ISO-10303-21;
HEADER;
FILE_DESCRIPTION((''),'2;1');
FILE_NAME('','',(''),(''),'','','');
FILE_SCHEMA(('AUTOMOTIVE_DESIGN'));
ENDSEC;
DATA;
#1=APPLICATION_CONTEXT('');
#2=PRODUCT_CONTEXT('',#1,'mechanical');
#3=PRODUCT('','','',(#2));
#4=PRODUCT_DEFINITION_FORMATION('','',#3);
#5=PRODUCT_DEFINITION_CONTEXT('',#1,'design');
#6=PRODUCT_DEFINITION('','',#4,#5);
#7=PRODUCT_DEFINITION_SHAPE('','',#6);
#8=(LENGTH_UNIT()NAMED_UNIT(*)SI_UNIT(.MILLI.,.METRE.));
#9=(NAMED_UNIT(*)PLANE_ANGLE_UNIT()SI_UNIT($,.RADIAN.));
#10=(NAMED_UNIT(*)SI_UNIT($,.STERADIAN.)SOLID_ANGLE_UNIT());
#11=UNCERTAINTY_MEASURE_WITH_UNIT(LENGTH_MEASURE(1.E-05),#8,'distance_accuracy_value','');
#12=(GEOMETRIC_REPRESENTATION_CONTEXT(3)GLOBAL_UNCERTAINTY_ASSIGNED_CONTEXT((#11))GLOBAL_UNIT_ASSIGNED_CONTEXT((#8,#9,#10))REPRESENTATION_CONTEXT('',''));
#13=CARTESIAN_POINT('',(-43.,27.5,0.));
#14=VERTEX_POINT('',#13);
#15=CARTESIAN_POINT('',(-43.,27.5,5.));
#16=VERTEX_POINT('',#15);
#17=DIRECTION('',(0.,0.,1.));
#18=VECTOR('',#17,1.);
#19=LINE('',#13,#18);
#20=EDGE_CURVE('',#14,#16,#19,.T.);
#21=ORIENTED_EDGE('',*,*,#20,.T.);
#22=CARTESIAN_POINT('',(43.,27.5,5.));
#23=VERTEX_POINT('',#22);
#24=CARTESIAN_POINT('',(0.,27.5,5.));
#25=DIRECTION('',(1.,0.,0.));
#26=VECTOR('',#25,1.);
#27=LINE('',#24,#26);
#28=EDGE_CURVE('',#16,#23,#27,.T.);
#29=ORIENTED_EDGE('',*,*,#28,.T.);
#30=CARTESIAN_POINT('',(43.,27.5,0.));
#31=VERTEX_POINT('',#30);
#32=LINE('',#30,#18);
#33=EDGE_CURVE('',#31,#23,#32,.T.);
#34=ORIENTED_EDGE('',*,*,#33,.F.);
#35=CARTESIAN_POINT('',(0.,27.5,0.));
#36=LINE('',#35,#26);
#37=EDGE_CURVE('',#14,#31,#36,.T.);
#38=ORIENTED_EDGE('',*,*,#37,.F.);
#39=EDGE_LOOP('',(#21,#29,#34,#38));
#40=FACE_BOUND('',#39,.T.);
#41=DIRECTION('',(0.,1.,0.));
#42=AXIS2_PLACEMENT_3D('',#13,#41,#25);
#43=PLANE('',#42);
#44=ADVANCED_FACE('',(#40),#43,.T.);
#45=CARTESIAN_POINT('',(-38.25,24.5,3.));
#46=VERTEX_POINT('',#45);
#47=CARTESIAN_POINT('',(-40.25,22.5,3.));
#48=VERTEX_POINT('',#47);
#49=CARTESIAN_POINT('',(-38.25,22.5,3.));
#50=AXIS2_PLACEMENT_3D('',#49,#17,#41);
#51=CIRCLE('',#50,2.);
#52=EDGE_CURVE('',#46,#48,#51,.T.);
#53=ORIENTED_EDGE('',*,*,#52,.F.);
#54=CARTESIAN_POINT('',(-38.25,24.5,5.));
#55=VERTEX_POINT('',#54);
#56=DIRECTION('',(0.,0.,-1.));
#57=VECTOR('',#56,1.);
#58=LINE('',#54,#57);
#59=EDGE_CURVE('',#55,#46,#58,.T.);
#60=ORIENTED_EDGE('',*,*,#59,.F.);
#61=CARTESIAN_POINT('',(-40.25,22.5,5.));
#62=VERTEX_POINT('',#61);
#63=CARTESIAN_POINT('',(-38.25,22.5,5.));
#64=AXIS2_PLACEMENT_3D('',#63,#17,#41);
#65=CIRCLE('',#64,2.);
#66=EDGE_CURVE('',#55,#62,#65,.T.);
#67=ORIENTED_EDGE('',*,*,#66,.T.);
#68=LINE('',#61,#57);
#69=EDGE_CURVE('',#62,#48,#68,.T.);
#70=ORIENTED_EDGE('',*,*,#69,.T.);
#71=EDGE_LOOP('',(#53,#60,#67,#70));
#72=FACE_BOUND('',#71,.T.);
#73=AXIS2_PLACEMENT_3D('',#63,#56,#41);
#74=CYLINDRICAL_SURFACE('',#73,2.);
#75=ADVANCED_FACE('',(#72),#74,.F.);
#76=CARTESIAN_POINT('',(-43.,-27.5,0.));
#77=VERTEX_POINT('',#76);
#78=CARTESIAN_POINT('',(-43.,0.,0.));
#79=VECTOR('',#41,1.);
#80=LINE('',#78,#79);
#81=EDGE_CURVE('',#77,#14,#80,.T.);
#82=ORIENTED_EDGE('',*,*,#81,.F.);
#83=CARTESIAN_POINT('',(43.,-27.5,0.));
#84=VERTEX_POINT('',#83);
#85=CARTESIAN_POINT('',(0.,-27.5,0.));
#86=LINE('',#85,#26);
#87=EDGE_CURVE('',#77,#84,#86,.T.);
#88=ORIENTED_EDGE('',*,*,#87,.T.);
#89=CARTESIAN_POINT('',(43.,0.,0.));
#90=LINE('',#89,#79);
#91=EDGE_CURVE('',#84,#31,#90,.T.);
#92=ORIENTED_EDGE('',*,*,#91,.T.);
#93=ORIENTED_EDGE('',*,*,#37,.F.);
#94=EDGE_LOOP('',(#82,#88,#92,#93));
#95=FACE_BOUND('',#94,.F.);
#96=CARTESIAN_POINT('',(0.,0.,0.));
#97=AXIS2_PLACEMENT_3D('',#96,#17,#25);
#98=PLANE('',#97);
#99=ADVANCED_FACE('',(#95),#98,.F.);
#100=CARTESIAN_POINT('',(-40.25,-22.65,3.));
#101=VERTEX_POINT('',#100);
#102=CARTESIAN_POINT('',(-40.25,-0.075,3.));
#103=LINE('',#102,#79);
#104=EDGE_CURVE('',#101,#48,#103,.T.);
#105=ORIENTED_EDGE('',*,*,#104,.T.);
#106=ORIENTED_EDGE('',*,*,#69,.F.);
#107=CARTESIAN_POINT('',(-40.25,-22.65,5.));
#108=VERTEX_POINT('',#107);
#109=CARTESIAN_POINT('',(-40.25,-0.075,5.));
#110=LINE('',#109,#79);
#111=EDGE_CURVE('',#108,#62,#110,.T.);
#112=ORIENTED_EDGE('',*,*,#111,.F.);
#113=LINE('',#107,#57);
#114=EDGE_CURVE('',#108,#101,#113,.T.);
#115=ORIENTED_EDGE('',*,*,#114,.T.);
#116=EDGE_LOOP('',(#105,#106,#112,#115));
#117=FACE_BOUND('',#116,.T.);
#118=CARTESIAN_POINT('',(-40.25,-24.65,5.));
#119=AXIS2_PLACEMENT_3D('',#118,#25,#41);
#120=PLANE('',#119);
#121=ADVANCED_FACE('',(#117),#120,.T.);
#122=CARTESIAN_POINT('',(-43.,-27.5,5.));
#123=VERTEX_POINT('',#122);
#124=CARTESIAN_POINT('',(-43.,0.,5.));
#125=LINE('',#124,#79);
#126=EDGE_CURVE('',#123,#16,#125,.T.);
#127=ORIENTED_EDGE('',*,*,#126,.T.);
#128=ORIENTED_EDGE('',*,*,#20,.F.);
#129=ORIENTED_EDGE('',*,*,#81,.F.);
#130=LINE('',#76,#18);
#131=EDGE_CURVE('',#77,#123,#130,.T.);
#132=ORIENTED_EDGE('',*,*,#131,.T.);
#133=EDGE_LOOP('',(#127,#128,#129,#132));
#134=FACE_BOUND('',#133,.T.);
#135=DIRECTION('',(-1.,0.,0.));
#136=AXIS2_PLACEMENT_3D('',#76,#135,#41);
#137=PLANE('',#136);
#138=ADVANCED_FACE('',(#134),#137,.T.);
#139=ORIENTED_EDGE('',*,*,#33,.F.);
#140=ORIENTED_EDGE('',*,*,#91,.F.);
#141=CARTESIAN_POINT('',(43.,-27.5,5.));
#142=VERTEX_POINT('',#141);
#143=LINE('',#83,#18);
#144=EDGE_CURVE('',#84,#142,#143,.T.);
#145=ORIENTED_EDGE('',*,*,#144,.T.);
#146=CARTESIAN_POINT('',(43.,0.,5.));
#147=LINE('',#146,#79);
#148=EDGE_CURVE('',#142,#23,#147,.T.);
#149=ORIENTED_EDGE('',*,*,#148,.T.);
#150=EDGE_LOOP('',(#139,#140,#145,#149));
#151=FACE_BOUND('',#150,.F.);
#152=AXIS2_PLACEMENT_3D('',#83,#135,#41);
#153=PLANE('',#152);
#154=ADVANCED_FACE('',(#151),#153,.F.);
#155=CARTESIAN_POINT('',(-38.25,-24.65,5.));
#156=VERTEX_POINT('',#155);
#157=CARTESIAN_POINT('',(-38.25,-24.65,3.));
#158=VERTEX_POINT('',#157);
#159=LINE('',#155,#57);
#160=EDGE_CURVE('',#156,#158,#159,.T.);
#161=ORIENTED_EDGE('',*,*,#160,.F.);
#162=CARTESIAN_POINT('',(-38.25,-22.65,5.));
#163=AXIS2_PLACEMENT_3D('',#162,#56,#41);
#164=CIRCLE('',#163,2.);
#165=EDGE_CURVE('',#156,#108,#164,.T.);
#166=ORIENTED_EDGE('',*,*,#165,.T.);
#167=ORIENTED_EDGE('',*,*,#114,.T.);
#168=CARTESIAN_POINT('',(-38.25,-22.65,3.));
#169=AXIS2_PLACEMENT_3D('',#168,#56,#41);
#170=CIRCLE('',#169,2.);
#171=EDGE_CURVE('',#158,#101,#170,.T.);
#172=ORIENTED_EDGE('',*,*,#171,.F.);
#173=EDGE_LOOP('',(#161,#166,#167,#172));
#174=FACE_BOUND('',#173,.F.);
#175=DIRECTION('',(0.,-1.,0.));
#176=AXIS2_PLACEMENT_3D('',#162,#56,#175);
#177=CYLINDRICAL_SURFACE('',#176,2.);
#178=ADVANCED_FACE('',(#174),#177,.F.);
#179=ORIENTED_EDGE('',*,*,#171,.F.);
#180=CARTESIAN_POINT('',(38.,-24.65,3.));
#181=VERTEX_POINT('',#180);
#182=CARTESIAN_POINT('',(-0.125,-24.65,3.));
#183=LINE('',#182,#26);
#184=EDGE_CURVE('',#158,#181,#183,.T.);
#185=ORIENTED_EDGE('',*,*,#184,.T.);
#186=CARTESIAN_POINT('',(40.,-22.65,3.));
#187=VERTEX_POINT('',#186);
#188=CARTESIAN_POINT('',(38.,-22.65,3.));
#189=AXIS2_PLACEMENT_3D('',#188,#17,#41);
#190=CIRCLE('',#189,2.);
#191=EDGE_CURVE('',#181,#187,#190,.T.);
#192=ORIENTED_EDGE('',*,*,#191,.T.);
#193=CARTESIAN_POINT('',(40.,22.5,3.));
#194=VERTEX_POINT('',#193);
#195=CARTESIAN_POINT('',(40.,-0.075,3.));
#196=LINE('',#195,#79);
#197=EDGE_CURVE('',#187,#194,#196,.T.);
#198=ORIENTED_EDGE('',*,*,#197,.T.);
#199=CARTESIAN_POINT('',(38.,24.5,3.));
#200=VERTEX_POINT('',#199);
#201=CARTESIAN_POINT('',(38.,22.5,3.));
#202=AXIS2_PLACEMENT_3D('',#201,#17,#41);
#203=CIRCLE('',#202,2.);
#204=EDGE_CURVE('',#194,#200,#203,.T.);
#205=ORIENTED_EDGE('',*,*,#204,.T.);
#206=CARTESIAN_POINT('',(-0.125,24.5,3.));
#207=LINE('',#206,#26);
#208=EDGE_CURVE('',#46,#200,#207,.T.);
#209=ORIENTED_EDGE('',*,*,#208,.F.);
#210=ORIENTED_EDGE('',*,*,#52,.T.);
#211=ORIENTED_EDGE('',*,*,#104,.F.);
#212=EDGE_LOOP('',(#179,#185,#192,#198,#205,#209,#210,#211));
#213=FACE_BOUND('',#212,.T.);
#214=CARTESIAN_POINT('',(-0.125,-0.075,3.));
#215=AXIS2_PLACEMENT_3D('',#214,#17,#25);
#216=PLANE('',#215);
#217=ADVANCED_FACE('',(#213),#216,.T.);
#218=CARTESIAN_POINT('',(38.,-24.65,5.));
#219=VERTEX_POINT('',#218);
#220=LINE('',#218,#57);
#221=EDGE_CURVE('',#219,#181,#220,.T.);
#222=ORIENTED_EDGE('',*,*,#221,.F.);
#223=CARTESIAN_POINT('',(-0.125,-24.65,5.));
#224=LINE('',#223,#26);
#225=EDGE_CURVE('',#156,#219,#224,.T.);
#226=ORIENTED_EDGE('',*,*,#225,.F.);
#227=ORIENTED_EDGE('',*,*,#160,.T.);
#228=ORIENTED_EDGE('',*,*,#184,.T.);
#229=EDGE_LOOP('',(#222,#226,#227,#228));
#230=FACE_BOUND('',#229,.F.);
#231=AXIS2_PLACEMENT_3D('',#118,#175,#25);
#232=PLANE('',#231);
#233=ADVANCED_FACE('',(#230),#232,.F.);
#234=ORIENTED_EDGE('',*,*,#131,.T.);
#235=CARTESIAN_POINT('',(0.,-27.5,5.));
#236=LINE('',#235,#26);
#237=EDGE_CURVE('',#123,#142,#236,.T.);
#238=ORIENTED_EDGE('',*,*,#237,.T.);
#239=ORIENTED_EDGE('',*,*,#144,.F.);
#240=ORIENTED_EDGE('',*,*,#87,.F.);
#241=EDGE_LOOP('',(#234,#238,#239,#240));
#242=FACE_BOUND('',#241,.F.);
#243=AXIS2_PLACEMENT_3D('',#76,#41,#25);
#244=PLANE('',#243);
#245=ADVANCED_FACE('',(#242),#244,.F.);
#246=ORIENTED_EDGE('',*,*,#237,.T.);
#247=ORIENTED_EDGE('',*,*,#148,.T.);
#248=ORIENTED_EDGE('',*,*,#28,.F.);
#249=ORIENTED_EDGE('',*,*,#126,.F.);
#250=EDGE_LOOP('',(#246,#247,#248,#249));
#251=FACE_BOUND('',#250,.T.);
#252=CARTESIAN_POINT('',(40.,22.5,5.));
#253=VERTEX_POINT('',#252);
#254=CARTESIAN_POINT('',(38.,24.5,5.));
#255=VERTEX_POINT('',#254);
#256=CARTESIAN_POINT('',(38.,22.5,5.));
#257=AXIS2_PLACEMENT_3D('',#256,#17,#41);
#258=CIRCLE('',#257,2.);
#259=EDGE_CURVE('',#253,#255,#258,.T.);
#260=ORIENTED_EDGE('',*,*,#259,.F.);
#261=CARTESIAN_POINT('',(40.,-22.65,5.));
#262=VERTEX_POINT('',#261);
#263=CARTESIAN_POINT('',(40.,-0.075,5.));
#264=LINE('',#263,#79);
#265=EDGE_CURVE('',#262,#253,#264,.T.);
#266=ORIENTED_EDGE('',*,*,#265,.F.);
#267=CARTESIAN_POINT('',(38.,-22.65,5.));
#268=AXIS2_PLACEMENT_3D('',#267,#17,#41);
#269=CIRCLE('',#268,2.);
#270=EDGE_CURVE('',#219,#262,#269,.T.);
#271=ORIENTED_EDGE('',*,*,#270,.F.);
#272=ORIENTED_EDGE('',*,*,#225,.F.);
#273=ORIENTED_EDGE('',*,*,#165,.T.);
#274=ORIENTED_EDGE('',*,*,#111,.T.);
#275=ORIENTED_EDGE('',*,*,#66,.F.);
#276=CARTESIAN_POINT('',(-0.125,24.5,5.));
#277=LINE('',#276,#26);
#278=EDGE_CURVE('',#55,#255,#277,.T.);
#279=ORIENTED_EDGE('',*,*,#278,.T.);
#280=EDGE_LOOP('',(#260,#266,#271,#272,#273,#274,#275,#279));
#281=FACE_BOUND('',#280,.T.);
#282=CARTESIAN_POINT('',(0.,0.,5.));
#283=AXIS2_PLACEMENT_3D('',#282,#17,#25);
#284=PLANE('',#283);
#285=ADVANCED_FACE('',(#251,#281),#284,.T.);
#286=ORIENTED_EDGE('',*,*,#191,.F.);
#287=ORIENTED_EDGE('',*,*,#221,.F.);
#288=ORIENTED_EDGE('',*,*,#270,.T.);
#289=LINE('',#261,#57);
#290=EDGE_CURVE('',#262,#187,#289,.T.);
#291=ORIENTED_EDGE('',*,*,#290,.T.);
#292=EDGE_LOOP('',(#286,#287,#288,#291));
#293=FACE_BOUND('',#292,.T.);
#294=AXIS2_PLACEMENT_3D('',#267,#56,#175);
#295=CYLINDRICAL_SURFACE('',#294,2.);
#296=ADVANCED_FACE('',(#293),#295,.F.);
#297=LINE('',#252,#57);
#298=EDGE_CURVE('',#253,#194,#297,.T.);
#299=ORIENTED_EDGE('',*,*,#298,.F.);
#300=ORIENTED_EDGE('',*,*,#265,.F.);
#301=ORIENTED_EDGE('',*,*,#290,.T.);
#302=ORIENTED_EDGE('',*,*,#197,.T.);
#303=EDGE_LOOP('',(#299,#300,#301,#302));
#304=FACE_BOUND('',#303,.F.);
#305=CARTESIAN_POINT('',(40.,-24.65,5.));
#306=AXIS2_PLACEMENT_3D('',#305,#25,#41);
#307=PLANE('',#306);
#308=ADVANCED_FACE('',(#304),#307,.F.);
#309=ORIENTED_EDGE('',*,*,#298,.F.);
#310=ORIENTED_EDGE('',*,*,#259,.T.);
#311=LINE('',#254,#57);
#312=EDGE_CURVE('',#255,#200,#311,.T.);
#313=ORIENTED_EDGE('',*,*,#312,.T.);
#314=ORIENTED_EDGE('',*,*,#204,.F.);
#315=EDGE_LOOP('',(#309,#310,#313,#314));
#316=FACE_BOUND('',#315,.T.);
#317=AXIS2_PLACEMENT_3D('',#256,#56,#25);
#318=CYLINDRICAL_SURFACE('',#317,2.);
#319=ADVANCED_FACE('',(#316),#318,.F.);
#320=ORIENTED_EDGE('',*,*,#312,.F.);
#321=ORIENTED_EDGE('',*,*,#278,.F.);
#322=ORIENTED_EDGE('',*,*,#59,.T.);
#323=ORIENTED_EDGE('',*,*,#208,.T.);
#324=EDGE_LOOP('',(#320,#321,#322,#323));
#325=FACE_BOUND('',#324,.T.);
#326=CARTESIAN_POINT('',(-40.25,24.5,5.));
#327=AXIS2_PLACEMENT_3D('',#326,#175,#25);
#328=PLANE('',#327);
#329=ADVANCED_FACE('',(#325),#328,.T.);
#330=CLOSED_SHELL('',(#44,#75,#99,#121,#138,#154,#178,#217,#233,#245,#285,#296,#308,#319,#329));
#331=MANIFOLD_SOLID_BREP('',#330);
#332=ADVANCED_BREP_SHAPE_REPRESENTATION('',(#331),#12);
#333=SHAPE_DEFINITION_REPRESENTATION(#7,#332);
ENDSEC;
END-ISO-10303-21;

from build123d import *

# Parameters (mm, degrees)
F0_W     = 86
F0_H     = 55
F1_DEPTH = 5
F2_W     = 80.25
F2_H     = 49.15
F3_DEPTH = 2
F4_R     = 2


with BuildPart() as f1:
    # F0 (on Top) → F1 (new body)
    with BuildSketch(Plane.XY):
        Rectangle(F0_W, F0_H)
    extrude(amount=F1_DEPTH)

    # F2 (on face) → F3 (cut)
    with BuildSketch(Plane.XY.offset(5)):
        with Locations((-0.125, -0.075)):
            Rectangle(F2_W, F2_H)
    extrude(amount=-F3_DEPTH, mode=Mode.SUBTRACT)

    # F4
    f4_edges = [f1.edges().sort_by_distance(p)[0] for p in [
        (-40.25, 24.5, 4),
        (-40.25, -24.65, 4),
        (40, 24.5, 4),
        (40, -24.65, 4),
    ]]
    fillet(f4_edges, radius=F4_R)


solid = f1.part
